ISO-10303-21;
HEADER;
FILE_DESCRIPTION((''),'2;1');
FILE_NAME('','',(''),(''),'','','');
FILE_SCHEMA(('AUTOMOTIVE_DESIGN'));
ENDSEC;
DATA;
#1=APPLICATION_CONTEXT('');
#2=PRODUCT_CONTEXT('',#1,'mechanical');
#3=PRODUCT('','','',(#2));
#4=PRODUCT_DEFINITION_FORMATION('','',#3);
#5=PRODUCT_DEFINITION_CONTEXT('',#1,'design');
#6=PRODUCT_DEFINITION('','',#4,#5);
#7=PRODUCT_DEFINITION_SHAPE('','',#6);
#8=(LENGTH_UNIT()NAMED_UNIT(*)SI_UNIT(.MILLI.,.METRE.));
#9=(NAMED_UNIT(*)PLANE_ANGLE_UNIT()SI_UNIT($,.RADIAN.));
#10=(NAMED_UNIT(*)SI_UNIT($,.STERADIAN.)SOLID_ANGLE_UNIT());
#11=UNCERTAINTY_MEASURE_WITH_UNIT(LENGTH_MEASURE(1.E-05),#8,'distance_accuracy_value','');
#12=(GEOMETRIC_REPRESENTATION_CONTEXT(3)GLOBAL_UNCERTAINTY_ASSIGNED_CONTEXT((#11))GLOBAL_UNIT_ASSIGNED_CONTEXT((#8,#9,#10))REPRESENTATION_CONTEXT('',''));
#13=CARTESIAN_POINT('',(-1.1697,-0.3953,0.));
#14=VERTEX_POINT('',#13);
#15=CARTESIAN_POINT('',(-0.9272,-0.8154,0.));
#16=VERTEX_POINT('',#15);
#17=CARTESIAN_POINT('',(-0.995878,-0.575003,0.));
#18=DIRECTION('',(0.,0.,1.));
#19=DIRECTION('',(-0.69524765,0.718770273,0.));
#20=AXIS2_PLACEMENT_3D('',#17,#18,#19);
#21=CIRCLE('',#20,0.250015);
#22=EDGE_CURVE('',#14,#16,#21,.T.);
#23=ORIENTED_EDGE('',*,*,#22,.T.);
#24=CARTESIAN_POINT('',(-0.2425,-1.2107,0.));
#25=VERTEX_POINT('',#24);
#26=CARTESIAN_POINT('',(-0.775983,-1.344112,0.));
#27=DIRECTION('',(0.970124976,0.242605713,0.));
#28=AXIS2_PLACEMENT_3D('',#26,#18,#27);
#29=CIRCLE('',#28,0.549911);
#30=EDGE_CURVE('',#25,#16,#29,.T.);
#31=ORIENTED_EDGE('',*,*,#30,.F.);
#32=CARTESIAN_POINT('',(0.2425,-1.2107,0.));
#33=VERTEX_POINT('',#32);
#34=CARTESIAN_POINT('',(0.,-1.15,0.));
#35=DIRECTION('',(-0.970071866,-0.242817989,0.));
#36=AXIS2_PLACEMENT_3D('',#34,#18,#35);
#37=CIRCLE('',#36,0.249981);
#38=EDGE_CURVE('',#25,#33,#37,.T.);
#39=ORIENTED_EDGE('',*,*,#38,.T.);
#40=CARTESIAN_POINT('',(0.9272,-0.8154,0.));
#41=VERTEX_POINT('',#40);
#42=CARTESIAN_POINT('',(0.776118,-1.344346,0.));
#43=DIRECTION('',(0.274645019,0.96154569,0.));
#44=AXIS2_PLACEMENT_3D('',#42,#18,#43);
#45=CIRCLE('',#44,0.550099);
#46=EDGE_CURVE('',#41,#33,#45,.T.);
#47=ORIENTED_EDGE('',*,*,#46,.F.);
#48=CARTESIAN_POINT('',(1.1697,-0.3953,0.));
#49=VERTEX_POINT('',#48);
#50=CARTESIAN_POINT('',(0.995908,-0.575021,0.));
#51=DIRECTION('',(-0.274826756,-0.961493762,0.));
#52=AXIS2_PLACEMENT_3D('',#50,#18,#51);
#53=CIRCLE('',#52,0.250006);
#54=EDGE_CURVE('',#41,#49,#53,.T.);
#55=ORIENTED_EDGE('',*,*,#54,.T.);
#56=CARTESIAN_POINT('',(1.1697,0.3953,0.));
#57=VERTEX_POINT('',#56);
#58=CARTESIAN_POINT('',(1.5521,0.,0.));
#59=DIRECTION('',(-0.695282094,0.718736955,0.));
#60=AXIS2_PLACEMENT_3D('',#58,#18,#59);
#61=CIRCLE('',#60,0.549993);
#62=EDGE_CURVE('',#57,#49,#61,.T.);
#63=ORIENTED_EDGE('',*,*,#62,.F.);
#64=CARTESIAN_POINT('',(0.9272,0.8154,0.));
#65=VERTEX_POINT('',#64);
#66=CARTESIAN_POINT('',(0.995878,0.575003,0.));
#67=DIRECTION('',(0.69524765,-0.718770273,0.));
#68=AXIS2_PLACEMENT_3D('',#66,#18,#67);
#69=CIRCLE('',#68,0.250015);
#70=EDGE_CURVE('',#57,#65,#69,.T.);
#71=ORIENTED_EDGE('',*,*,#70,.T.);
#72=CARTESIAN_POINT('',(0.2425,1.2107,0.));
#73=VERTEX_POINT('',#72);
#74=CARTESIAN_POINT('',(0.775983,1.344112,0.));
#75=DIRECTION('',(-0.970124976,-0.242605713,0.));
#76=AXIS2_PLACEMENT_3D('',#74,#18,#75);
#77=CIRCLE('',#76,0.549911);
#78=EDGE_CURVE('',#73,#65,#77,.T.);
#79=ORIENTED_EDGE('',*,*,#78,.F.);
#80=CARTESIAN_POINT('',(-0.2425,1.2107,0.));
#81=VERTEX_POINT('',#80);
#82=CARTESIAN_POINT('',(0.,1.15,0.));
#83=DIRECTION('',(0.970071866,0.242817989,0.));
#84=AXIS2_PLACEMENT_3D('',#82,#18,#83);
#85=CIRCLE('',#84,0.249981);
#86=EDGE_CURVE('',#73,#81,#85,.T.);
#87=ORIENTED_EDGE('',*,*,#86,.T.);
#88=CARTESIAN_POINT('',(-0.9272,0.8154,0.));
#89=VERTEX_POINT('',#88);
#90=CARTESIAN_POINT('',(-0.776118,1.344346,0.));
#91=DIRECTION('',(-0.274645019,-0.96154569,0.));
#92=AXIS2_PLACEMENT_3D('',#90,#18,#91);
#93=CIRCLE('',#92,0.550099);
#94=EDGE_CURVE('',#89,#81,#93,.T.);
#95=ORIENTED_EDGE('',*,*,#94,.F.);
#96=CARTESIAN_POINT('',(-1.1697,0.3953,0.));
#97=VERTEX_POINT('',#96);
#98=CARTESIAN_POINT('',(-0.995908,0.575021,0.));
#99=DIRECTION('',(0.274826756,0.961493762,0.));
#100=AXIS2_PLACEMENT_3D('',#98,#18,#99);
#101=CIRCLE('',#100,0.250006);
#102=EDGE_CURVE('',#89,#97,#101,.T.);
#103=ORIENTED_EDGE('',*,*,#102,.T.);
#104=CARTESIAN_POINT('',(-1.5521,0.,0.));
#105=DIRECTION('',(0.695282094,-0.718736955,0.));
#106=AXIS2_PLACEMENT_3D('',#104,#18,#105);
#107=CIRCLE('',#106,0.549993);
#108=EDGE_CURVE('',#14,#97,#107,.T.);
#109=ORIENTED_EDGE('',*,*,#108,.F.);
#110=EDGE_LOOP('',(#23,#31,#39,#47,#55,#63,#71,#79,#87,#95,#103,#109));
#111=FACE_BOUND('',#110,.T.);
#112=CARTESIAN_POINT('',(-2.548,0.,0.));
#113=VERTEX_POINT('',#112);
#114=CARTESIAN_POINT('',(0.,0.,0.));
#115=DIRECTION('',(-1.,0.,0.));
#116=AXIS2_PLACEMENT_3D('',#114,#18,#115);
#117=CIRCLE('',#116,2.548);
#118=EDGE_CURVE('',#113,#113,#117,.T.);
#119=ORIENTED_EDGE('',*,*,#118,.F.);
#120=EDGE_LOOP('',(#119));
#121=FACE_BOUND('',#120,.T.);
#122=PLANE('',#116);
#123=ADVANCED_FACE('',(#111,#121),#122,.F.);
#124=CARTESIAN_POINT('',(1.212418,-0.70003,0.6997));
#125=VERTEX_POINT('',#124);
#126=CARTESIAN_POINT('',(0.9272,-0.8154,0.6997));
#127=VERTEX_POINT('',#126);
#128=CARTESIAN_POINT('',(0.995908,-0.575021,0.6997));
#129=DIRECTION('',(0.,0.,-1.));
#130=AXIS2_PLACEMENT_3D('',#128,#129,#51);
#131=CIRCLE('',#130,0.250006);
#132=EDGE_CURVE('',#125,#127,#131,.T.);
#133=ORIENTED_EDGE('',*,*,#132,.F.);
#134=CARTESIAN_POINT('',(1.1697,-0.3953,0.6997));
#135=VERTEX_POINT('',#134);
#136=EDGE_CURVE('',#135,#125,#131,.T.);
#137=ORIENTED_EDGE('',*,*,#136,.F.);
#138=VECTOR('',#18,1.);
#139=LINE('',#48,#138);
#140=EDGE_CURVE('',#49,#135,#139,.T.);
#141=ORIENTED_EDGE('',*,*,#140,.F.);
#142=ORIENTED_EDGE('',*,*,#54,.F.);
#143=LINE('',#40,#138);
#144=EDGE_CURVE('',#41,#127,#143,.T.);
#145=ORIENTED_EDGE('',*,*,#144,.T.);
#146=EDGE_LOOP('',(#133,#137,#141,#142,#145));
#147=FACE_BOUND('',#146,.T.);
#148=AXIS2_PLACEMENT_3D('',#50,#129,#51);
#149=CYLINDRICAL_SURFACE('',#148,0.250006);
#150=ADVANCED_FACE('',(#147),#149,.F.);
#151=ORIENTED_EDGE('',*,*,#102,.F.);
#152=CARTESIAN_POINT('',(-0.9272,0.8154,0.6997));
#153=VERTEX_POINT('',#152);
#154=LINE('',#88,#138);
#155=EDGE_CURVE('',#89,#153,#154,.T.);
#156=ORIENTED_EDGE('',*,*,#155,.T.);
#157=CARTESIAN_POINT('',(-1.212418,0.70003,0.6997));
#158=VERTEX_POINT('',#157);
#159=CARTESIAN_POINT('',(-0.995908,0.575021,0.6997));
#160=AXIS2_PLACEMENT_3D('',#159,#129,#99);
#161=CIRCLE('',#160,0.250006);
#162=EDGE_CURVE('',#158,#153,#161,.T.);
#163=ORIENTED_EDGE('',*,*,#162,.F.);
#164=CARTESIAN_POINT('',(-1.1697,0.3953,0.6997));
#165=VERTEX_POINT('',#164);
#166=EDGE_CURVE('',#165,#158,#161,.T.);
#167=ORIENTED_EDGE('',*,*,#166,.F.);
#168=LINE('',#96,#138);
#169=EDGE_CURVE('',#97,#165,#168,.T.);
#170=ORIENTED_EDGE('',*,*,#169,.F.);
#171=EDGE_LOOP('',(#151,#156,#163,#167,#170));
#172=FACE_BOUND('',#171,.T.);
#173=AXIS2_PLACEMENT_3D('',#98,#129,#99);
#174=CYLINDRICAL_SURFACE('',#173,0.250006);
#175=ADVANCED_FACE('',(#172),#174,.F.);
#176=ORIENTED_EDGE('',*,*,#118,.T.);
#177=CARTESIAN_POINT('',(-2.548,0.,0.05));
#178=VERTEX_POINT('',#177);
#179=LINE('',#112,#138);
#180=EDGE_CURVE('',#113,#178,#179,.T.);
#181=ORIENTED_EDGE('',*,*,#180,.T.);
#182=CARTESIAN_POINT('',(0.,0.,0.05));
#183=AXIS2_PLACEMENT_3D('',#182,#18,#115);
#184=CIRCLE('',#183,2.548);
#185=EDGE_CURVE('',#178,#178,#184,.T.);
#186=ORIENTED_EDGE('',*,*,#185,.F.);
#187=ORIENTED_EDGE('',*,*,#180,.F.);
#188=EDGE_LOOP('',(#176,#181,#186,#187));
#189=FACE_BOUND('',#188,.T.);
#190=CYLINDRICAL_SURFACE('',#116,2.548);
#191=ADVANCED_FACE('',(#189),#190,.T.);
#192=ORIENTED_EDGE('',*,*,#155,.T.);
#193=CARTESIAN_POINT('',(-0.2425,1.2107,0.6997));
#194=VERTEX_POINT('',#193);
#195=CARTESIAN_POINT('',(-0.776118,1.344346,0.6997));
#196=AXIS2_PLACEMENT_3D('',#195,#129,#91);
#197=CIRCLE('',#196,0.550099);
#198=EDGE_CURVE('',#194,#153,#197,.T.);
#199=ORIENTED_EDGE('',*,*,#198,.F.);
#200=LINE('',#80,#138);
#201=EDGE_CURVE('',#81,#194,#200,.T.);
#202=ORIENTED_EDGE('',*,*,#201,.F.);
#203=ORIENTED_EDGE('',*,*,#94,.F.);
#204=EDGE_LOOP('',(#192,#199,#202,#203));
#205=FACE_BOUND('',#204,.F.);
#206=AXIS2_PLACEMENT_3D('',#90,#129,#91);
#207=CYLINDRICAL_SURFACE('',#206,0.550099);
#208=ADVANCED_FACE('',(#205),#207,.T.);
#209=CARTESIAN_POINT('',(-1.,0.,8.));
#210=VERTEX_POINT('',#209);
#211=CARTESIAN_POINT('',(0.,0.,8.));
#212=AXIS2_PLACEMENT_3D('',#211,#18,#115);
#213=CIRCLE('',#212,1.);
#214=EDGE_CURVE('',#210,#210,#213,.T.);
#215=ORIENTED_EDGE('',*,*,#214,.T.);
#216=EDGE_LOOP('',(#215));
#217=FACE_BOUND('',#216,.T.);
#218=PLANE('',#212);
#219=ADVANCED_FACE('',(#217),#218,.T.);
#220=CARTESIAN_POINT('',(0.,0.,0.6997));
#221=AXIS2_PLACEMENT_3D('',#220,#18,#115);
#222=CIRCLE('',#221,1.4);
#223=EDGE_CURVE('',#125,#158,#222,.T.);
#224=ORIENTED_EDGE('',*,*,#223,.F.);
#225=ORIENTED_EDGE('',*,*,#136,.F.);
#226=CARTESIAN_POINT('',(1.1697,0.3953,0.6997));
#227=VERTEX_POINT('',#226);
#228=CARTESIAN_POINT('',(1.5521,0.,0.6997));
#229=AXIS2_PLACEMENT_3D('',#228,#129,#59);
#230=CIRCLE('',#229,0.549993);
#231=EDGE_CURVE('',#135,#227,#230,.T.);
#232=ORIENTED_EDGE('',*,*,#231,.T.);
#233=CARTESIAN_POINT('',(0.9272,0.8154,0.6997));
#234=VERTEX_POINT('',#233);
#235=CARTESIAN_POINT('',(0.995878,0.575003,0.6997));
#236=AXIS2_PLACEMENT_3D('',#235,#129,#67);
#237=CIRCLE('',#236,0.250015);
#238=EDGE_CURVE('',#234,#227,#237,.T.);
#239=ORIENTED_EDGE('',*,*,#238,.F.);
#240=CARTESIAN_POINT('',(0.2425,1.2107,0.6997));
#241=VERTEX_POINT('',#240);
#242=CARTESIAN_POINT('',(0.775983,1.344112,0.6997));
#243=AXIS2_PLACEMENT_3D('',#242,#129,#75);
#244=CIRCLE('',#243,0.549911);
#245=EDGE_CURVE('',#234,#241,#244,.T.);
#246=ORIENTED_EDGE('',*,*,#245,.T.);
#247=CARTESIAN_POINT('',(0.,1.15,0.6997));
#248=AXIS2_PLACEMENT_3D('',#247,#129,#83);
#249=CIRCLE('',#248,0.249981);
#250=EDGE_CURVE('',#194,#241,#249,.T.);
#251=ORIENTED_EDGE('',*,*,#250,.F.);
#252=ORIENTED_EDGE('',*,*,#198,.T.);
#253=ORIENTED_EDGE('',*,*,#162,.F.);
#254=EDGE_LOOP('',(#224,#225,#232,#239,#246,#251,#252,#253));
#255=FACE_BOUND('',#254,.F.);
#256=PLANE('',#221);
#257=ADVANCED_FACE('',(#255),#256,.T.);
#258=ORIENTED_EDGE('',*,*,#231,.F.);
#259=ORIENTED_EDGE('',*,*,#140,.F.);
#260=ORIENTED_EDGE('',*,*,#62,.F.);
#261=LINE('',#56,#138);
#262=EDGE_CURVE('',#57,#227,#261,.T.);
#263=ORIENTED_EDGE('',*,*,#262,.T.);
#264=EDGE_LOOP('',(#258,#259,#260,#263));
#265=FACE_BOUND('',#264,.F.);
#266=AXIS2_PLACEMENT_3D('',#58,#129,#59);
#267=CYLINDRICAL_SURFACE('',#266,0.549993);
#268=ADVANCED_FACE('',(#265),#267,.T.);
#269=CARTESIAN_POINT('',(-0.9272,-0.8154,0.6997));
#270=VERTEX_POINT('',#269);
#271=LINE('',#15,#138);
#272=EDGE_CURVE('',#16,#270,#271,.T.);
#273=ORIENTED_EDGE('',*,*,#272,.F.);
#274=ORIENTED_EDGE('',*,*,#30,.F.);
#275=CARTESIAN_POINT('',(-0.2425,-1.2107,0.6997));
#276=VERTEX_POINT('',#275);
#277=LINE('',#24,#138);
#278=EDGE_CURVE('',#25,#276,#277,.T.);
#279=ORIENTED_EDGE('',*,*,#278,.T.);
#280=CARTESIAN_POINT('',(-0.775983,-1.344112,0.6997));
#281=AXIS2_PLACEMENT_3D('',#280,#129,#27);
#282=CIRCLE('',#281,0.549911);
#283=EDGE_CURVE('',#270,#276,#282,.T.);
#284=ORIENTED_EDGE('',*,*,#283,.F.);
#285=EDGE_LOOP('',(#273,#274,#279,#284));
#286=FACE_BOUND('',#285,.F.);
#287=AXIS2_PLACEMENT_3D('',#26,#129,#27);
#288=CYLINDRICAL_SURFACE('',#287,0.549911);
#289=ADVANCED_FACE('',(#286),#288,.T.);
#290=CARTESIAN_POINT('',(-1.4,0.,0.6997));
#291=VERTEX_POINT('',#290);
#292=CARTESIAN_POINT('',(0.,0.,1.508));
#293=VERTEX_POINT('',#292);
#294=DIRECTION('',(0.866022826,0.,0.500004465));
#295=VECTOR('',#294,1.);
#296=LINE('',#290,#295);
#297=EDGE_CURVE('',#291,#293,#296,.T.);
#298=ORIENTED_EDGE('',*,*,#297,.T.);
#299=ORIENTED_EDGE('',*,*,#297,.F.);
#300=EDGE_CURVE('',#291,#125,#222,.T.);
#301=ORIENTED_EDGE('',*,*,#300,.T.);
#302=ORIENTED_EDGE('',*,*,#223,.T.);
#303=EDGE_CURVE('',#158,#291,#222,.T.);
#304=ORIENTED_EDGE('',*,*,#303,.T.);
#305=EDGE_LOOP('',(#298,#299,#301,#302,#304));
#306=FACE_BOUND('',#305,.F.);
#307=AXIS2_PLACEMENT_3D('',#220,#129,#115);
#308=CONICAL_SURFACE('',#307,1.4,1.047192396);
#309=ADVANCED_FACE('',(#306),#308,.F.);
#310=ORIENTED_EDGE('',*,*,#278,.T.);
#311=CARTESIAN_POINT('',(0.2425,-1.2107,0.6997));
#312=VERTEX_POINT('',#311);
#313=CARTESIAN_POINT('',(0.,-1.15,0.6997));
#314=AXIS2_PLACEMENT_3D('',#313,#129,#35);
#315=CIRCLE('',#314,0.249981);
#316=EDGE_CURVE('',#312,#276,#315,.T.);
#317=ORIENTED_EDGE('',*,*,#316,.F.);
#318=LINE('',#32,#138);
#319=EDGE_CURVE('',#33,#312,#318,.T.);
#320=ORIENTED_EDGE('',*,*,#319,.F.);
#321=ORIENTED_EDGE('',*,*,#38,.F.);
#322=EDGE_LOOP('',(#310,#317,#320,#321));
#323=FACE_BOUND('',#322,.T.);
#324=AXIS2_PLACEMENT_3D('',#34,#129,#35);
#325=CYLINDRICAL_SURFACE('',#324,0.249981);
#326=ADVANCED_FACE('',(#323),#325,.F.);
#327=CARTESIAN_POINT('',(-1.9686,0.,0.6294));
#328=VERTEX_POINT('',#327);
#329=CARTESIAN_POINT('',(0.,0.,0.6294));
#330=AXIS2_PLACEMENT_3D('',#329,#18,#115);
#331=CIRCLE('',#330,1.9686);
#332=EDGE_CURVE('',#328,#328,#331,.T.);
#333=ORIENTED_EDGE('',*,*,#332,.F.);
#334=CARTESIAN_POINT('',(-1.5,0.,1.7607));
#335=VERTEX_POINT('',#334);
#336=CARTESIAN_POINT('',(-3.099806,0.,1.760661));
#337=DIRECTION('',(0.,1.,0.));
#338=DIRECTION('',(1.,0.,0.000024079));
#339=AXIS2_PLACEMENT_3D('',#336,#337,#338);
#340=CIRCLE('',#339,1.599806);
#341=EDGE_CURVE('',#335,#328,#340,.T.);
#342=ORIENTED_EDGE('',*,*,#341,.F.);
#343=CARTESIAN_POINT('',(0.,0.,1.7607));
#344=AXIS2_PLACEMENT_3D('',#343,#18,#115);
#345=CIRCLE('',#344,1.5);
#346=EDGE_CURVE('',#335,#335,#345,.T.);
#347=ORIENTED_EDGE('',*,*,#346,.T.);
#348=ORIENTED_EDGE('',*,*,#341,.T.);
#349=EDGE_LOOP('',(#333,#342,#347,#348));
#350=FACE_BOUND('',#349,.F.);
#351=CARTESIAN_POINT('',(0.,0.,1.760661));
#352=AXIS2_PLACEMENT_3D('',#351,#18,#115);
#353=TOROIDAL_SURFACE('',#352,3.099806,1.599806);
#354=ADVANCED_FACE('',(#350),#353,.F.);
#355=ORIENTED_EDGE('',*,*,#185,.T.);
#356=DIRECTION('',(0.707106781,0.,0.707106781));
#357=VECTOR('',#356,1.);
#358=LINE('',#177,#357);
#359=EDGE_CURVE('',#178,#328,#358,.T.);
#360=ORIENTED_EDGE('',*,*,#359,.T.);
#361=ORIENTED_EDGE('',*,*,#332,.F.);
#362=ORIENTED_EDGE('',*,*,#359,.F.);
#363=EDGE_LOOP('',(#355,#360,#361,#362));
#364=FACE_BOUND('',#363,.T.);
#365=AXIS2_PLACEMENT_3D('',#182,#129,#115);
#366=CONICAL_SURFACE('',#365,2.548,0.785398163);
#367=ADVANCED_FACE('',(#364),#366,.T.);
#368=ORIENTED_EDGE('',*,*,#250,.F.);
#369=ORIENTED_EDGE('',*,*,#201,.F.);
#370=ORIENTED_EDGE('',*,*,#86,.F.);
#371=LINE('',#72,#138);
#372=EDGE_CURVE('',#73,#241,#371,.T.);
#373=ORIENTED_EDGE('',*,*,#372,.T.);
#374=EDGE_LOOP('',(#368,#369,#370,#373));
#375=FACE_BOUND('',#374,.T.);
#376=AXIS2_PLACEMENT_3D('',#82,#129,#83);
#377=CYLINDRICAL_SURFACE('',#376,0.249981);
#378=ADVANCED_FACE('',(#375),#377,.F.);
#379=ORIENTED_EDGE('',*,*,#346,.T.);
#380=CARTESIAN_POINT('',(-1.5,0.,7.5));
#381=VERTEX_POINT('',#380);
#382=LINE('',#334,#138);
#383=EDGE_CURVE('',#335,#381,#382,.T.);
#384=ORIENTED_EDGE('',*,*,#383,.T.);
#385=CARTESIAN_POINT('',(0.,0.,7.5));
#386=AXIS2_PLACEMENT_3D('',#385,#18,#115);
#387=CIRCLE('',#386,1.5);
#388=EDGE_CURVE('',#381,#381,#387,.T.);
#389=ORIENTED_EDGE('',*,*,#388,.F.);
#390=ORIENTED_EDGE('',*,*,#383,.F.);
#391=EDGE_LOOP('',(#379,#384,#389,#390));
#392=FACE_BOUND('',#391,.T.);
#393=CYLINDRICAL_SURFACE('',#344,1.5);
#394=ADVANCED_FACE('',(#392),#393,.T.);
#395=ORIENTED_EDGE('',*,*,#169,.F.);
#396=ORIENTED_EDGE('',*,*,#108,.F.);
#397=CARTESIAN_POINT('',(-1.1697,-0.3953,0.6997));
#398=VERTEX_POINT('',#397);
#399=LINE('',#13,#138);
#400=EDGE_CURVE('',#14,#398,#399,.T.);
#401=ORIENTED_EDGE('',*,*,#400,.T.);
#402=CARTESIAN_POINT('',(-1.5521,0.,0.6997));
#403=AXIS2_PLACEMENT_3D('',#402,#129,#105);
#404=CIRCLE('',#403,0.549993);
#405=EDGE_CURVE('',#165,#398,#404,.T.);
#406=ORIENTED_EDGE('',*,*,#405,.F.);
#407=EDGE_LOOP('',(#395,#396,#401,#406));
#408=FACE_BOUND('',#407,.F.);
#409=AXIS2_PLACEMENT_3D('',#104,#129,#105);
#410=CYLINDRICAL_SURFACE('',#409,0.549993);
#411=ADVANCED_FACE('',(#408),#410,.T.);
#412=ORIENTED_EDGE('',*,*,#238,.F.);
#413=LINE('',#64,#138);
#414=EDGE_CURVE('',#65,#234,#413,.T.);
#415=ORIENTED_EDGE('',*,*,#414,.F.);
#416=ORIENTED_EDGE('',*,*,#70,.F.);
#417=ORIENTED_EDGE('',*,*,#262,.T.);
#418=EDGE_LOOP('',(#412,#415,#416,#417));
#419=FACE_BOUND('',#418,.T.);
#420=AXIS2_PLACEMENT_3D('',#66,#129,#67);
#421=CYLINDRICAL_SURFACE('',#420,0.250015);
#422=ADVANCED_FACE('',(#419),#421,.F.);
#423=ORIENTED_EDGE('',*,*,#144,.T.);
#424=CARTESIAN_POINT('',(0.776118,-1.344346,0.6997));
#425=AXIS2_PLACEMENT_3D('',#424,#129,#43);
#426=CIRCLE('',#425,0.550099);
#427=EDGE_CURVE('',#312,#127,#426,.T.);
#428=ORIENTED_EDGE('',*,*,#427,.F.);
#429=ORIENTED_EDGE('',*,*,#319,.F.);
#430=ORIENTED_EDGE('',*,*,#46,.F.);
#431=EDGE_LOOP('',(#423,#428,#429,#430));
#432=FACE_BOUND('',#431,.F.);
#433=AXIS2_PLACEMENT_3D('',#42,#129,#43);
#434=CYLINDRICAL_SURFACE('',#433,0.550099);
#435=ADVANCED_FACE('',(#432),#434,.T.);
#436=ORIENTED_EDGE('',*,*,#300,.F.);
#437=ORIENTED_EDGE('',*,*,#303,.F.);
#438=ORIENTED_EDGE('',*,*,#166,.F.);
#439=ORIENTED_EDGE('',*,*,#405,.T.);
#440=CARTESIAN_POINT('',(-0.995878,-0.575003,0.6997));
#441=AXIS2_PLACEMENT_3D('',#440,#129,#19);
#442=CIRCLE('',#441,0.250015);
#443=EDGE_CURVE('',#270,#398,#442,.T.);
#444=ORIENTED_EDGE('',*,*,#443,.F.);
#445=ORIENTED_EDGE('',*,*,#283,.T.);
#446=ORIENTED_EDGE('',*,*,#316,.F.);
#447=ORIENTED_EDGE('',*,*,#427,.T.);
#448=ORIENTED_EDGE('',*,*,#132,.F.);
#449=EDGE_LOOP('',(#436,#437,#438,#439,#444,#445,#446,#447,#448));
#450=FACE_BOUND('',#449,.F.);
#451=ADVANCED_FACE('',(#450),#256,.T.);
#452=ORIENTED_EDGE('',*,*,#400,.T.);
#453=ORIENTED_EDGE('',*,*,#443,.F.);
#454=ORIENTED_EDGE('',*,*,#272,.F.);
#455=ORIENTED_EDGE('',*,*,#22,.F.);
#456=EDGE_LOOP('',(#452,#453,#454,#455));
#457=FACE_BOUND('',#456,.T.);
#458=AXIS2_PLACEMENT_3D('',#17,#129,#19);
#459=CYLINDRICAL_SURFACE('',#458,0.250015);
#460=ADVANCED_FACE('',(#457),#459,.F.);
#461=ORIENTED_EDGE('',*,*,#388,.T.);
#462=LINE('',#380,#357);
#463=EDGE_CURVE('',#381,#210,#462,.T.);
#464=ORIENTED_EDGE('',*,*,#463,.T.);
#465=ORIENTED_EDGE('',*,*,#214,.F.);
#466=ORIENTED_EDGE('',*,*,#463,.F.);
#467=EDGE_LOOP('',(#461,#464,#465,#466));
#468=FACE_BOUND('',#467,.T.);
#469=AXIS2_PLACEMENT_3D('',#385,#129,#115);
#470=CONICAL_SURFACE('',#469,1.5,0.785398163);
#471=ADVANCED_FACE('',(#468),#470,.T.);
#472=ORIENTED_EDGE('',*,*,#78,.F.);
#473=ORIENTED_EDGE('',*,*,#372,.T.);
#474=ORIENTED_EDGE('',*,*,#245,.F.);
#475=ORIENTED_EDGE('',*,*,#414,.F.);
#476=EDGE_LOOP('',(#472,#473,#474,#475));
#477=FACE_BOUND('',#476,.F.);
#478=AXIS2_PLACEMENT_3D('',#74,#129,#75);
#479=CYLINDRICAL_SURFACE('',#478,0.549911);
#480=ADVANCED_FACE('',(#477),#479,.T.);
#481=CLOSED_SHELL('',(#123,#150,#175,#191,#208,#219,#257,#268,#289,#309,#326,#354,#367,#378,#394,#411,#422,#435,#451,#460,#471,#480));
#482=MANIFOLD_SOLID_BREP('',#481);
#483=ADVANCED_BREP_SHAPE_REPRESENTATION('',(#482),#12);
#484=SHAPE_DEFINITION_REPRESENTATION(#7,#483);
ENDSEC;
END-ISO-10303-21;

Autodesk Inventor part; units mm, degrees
ref_plane "Plan YZ" through (0, 0, 0) normal (1, 0, 0) x (0, 1, 0)
ref_plane "Plan XZ" through (0, 0, 0) normal (0, 1, 0) x (-1, 0, 0)
ref_plane "Plan XY" through (0, 0, 0) normal (0, 0, 1) x (1, 0, 0)
sketch "Esquisse6" plane through (0, 0, 0) normal (0, 1, 0) x (-1, 0, 0)
  line L0 (0, 0) -> (2.548, 0)
  line L1 (2.548, 0.05) -> (1.9686, 0.6294)
  line L2 (1.5, 1.7607) -> (1.5, 7.5)
  line L3 (1, 8) -> (0, 8)
  line L4 (0, -1.6) -> (0, 9.6) construction
  line L5 (2.548, 0) -> (2.548, 0.05)
  arc A0 (1.5, 1.7607) -> (1.9686, 0.6294) centre (3.1, 1.7607) ccw
  line L6 (1.5, 7.5) -> (1, 8)
  line L7 (0, 0.6997) -> (1.4, 0.6997)
  line L8 (1.4, 0.6997) -> (0, 1.508)
  line L9 (0, 8) -> (0, 1.508)
  line L10 (0, 0.6997) -> (0, 0)
  point P0 (1.5, 8)
  dimension "d9" = 5.096
  dimension "d10" = 45
  dimension "d11" = 0.05
  dimension "d12" = 1.6
  dimension "d13" = 8
  dimension "d14" = 3
  dimension "d16" = 0.5
  dimension "d17" = 0.5
  dimension "d36" = 60
  dimension "d37" = 1.508
  dimension "d38" = 2.8
revolve "Révolution1" add sketch "Esquisse6" angle 360 about axis through (0, 0, 0) along (0, 0, 1)
sketch "Esquisse1" plane through (0, 0, 0) normal (0, 0, 1) x (1, 0, 0)
  circle A0 centre (0, 0) radius 1.15 construction
  line L0 (1.299, 2.25) -> (0, 0) construction
  line L1 (0, 3.0788) -> (0, -2.723) construction
  circle A1 centre (0, 1.15) radius 0.25 construction
  circle A2 centre (0.7761, 1.3442) radius 0.55 construction
  circle A3 centre (-0.9959, 0.575) radius 0.25 construction
  circle A4 centre (-0.7761, 1.3442) radius 0.55 construction
  circle A5 centre (-0.9959, -0.575) radius 0.25 construction
  circle A6 centre (-1.5521, 0) radius 0.55 construction
  circle A7 centre (0, -1.15) radius 0.25 construction
  circle A8 centre (-0.7761, -1.3442) radius 0.55 construction
  circle A9 centre (0.9959, -0.575) radius 0.25 construction
  circle A10 centre (0.7761, -1.3442) radius 0.55 construction
  circle A11 centre (0.9959, 0.575) radius 0.25 construction
  circle A12 centre (1.5521, 0) radius 0.55 construction
  arc A13 (0.2425, 1.2107) -> (-0.2425, 1.2107) centre (0, 1.15) ccw
  arc A14 (-0.9272, 0.8154) -> (-0.2425, 1.2107) centre (-0.7761, 1.3442) ccw
  arc A15 (-0.9272, 0.8154) -> (-1.1697, 0.3953) centre (-0.9959, 0.575) ccw
  arc A16 (-1.1697, -0.3953) -> (-1.1697, 0.3953) centre (-1.5521, 0) ccw
  arc A17 (-1.1697, -0.3953) -> (-0.9272, -0.8154) centre (-0.9959, -0.575) ccw
  arc A18 (-0.2425, -1.2107) -> (-0.9272, -0.8154) centre (-0.7761, -1.3442) ccw
  arc A19 (-0.2425, -1.2107) -> (0.2425, -1.2107) centre (0, -1.15) ccw
  arc A20 (0.9272, -0.8154) -> (0.2425, -1.2107) centre (0.7761, -1.3442) ccw
  arc A21 (0.9272, -0.8154) -> (1.1697, -0.3953) centre (0.9959, -0.575) ccw
  arc A22 (1.1697, 0.3953) -> (1.1697, -0.3953) centre (1.5521, 0) ccw
  arc A23 (1.1697, 0.3953) -> (0.9272, 0.8154) centre (0.9959, 0.575) ccw
  arc A24 (0.2425, 1.2107) -> (0.9272, 0.8154) centre (0.7761, 1.3442) ccw
  circle A25 centre (0, 0) radius 1.4 construction
  dimension "d4" = 2.3
  dimension "d2" = 30
  dimension "d18" = 0.5
  dimension "d19" = 1.1
  dimension "d25" = 360
  dimension "d39" = 2.8
extrude "Extrusion2" cut sketch "Esquisse1" along normal up to next
thread "Filetage1" size "M3x0.5" class "6g" standard "ANSI Metric M Profile" full length
equation "\"d17\" = d16"
equation "\"d38\" = d39"
properties part number "ISO14581_M3x8" material "Acier zingué, clair"
